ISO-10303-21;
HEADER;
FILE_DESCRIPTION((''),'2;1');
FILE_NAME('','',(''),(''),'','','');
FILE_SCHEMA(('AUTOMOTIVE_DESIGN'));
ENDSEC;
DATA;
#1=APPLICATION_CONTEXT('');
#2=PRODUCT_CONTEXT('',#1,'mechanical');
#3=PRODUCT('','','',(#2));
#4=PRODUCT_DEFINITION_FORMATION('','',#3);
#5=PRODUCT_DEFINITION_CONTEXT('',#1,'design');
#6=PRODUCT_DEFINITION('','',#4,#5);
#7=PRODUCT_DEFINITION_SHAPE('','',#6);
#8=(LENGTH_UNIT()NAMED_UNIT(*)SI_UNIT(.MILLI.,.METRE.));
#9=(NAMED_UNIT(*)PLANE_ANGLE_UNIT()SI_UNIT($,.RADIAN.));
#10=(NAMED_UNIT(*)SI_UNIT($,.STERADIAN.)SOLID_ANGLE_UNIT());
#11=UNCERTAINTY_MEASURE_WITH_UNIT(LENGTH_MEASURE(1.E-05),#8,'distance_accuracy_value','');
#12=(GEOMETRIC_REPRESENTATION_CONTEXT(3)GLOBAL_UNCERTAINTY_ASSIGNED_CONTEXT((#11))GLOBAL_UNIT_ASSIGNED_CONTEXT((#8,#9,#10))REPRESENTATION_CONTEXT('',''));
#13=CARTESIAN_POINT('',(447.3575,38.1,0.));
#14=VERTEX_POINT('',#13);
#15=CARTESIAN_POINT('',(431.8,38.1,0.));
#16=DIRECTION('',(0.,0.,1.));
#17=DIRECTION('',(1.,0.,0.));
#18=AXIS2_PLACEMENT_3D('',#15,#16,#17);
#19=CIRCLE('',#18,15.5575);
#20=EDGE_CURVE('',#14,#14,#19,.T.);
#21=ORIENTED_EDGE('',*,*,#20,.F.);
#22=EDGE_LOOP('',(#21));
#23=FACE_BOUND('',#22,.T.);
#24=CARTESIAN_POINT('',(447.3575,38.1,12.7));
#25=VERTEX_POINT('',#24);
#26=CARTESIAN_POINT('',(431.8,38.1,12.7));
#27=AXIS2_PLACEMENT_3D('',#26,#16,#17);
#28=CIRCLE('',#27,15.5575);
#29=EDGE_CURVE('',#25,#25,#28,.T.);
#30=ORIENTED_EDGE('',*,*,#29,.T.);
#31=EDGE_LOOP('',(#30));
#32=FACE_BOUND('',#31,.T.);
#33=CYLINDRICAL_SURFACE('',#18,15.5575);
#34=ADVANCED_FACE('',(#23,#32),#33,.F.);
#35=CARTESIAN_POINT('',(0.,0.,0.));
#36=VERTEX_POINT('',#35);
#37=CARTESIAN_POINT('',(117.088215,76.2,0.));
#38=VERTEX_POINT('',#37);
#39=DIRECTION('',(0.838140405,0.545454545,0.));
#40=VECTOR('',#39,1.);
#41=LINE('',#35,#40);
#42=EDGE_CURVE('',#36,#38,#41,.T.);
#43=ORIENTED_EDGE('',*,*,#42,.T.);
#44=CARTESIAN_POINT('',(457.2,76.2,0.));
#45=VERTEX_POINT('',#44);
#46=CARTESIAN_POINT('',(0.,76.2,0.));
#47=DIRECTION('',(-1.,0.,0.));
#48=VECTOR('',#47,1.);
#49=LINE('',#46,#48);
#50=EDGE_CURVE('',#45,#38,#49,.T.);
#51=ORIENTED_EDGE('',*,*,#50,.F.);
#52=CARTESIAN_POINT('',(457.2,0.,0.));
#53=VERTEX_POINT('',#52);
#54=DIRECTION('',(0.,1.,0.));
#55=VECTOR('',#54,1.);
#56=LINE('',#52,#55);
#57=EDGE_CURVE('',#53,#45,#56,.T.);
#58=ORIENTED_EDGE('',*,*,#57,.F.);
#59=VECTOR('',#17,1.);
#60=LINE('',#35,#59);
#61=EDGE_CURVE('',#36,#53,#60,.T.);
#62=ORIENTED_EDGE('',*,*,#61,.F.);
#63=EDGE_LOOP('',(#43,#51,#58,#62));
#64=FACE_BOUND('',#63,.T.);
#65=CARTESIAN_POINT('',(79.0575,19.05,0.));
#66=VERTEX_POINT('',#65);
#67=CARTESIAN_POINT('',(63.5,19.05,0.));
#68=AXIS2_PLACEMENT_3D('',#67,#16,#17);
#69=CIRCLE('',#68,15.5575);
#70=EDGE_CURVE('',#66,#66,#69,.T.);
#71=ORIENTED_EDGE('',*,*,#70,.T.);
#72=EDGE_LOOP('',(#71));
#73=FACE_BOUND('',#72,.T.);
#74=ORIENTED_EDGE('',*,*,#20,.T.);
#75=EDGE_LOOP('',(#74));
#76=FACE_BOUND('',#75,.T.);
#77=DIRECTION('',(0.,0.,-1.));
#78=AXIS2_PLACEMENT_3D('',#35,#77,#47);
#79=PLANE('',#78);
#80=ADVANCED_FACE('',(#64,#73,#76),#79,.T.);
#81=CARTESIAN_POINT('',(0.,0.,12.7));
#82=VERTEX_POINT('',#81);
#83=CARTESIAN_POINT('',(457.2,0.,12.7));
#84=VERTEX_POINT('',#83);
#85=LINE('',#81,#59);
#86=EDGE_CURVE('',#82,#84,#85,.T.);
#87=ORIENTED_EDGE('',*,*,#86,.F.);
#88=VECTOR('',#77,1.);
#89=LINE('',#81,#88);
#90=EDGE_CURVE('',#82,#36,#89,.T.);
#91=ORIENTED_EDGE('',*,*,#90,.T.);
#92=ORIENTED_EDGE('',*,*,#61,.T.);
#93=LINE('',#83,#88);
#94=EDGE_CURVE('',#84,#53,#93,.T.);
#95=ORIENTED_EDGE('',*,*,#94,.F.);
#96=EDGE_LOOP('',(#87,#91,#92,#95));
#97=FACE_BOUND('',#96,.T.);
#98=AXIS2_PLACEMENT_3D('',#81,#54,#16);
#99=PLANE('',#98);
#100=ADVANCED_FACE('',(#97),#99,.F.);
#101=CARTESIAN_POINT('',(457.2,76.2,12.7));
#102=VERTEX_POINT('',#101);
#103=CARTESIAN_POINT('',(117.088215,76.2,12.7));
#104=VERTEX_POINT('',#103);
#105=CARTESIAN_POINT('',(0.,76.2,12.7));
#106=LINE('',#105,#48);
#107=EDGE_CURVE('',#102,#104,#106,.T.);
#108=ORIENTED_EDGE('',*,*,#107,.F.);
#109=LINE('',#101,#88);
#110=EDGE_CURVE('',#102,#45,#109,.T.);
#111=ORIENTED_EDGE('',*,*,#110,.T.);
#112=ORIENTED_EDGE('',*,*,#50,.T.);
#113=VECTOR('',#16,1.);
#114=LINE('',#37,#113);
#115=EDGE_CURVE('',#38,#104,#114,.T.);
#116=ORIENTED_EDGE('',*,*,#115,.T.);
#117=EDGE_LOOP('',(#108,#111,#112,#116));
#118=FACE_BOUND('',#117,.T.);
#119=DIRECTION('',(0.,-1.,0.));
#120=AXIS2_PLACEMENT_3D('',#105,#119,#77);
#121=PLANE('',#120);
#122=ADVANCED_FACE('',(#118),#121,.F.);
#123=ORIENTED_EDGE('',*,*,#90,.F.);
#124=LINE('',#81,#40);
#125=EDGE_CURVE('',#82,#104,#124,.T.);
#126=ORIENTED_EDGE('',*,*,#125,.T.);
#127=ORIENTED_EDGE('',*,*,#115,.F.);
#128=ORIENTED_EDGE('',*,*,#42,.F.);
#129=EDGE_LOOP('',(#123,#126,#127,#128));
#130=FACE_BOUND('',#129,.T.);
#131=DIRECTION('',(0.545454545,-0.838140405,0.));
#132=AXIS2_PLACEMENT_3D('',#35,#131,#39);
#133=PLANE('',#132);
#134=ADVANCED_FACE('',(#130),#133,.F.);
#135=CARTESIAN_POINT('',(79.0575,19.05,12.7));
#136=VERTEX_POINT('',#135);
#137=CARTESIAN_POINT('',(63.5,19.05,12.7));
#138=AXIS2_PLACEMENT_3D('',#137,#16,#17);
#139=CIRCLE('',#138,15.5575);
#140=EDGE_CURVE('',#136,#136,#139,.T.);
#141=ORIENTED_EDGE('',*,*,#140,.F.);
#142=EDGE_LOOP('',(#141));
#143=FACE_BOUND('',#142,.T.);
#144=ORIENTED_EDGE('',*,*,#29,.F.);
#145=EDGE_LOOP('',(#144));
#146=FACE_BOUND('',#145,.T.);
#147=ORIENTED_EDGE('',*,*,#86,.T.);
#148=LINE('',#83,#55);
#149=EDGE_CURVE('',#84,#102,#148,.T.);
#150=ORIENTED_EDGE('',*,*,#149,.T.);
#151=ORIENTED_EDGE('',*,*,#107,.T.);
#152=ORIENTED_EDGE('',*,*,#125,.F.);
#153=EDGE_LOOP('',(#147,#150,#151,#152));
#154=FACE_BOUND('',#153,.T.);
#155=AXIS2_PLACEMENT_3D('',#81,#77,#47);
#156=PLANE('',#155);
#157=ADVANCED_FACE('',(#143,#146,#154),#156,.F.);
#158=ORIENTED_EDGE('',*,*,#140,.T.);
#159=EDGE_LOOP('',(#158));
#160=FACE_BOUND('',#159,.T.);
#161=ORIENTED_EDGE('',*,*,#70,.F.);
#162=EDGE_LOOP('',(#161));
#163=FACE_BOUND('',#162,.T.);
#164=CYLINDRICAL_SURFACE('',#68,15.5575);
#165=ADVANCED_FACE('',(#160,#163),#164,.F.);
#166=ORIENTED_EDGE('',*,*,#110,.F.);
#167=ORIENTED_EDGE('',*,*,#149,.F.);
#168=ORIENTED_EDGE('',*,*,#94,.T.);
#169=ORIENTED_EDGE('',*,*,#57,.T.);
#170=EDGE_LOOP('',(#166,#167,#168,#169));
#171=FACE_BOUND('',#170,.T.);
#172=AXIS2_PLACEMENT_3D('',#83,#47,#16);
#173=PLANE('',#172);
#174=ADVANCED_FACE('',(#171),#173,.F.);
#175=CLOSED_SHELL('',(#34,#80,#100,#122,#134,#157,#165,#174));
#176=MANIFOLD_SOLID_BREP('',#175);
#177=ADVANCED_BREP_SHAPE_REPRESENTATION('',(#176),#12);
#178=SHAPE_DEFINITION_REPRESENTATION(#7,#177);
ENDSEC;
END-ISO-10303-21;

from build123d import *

# Parameters (mm, degrees)
SKETCH1_W           = 457.2
SKETCH1_H           = 76.2
BOSS_EXTRUDE1_DEPTH = 12.7
CUT_EXTRUDE1_DEPTH  = 12.7
SKETCH3_R           = 15.5575
CUT_EXTRUDE2_DEPTH  = 12.7


with BuildPart() as part:
    # Sketch1 → Boss-Extrude1 (new body)
    with BuildSketch(Plane.XY):
        with Locations((228.6, 38.1)):
            Rectangle(SKETCH1_W, SKETCH1_H)
    extrude(amount=BOSS_EXTRUDE1_DEPTH)

    # Sketch2 → Cut-Extrude1 (cut)
    with BuildSketch(Plane.XY.offset(12.7)):
        Polygon((0, 0), (117.088214608, 76.2), (0, 76.2), align=None)
    extrude(amount=-CUT_EXTRUDE1_DEPTH, mode=Mode.SUBTRACT)

    # Sketch3 → Cut-Extrude2 (cut)
    with BuildSketch(Plane.XY.offset(12.7)):
        with Locations((63.5, 19.05)):
            Circle(SKETCH3_R)
        with Locations((431.8, 38.1)):
            Circle(SKETCH3_R)
    extrude(amount=-CUT_EXTRUDE2_DEPTH, mode=Mode.SUBTRACT)


solid = part.part
